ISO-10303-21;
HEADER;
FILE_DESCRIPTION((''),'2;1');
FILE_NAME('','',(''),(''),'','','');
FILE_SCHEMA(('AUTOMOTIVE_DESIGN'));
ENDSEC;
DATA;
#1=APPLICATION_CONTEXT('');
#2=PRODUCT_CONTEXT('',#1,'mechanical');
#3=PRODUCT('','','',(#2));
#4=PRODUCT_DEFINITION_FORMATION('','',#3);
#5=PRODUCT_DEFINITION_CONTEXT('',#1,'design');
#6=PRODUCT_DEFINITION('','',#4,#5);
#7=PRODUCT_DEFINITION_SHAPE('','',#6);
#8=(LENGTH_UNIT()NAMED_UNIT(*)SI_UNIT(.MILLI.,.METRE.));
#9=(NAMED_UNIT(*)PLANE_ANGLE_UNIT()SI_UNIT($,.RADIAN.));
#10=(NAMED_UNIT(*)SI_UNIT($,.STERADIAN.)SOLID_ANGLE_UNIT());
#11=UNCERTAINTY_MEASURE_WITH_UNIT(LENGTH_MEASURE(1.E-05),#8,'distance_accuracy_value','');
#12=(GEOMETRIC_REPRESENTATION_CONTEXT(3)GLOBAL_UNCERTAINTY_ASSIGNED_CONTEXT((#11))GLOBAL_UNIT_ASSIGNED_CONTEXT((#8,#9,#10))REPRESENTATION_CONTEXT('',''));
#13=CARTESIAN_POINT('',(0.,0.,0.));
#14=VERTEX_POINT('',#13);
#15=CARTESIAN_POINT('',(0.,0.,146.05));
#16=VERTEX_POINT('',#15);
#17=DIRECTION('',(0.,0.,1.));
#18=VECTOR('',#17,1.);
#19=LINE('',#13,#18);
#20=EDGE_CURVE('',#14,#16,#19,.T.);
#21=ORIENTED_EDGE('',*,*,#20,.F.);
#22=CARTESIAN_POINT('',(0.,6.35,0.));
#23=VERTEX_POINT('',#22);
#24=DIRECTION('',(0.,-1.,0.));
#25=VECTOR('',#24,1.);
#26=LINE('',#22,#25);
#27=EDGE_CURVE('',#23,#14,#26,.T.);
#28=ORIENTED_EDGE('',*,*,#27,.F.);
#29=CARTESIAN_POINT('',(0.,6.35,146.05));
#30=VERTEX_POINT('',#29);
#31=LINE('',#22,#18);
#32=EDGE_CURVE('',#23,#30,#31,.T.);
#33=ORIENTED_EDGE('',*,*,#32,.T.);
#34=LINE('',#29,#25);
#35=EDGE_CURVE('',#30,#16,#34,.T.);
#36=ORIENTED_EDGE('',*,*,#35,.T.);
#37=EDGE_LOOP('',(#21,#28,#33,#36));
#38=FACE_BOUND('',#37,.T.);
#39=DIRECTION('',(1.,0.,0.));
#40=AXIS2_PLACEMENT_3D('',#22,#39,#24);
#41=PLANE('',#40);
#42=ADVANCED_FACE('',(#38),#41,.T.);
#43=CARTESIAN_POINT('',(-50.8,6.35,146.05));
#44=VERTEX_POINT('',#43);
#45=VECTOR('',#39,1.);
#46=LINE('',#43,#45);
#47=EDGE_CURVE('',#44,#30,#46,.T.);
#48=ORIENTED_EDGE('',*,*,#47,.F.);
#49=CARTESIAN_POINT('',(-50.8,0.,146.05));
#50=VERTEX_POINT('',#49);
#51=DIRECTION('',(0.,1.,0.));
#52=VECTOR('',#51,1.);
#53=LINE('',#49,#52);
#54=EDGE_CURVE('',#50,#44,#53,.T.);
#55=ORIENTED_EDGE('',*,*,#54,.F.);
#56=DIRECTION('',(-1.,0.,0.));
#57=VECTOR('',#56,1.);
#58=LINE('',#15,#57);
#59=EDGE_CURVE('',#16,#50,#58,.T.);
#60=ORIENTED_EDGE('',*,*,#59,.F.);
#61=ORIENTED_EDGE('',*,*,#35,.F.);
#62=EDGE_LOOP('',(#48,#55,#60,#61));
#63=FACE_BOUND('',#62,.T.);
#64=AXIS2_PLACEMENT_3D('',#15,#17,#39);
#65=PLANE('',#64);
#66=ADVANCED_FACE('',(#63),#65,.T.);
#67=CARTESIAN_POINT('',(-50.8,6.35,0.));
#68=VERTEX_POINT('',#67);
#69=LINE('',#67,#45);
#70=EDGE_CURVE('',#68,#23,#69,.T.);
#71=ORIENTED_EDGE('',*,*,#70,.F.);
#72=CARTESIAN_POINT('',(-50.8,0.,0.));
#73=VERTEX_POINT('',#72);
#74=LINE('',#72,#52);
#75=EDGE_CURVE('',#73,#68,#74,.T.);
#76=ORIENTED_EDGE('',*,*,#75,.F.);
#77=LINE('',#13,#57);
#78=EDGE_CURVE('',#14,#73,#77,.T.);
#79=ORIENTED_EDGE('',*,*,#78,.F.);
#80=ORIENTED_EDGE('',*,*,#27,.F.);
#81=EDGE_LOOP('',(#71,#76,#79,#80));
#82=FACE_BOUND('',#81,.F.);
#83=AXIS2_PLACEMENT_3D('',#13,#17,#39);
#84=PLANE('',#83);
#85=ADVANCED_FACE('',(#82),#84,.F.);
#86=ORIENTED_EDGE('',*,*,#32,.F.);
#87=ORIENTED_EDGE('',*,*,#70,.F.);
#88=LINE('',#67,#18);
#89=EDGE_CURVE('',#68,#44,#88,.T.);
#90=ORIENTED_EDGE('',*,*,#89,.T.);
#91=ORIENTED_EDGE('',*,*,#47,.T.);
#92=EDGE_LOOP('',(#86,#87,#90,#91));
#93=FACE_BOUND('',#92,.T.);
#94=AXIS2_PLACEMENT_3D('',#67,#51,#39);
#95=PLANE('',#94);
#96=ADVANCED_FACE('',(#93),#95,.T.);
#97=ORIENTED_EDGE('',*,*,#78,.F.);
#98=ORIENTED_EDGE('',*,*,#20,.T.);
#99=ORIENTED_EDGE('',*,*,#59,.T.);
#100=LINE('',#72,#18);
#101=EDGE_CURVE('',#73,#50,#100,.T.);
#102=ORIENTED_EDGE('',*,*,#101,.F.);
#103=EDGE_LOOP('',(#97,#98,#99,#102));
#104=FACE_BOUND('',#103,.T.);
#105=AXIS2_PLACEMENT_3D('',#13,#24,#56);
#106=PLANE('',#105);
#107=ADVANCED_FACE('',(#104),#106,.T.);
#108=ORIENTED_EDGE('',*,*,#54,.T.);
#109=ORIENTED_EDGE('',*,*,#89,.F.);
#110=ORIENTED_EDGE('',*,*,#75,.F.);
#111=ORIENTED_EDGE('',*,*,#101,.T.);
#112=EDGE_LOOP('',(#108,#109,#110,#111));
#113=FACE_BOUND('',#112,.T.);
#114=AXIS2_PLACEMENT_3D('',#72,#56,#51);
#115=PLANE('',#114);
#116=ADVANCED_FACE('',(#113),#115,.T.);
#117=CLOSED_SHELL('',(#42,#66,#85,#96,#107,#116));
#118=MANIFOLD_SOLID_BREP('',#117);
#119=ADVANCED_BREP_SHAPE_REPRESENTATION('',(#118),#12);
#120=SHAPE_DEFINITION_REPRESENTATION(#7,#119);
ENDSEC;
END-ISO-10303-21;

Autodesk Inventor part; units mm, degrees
ref_plane "YZ Plane" through (0, 0, 0) normal (1, 0, 0) x (0, 1, 0)
ref_plane "XZ Plane" through (0, 0, 0) normal (0, 1, 0) x (-1, 0, 0)
ref_plane "XY Plane" through (0, 0, 0) normal (0, 0, 1) x (1, 0, 0)
sketch "Sketch1" plane through (0, 0, 0) normal (0, 0, 1) x (1, 0, 0)
  line L0 (0, 0) -> (-50.8, 0)
  line L1 (-50.8, 0) -> (-50.8, 6.35)
  line L2 (-50.8, 6.35) -> (0, 6.35)
  line L3 (0, 6.35) -> (0, 0)
  dimension "d9" = 50.8
  dimension "d10" = 6.35
extrude "Extrusion1" add sketch "Sketch1" along normal blind 146.05
properties part number "GE-12019-04"
